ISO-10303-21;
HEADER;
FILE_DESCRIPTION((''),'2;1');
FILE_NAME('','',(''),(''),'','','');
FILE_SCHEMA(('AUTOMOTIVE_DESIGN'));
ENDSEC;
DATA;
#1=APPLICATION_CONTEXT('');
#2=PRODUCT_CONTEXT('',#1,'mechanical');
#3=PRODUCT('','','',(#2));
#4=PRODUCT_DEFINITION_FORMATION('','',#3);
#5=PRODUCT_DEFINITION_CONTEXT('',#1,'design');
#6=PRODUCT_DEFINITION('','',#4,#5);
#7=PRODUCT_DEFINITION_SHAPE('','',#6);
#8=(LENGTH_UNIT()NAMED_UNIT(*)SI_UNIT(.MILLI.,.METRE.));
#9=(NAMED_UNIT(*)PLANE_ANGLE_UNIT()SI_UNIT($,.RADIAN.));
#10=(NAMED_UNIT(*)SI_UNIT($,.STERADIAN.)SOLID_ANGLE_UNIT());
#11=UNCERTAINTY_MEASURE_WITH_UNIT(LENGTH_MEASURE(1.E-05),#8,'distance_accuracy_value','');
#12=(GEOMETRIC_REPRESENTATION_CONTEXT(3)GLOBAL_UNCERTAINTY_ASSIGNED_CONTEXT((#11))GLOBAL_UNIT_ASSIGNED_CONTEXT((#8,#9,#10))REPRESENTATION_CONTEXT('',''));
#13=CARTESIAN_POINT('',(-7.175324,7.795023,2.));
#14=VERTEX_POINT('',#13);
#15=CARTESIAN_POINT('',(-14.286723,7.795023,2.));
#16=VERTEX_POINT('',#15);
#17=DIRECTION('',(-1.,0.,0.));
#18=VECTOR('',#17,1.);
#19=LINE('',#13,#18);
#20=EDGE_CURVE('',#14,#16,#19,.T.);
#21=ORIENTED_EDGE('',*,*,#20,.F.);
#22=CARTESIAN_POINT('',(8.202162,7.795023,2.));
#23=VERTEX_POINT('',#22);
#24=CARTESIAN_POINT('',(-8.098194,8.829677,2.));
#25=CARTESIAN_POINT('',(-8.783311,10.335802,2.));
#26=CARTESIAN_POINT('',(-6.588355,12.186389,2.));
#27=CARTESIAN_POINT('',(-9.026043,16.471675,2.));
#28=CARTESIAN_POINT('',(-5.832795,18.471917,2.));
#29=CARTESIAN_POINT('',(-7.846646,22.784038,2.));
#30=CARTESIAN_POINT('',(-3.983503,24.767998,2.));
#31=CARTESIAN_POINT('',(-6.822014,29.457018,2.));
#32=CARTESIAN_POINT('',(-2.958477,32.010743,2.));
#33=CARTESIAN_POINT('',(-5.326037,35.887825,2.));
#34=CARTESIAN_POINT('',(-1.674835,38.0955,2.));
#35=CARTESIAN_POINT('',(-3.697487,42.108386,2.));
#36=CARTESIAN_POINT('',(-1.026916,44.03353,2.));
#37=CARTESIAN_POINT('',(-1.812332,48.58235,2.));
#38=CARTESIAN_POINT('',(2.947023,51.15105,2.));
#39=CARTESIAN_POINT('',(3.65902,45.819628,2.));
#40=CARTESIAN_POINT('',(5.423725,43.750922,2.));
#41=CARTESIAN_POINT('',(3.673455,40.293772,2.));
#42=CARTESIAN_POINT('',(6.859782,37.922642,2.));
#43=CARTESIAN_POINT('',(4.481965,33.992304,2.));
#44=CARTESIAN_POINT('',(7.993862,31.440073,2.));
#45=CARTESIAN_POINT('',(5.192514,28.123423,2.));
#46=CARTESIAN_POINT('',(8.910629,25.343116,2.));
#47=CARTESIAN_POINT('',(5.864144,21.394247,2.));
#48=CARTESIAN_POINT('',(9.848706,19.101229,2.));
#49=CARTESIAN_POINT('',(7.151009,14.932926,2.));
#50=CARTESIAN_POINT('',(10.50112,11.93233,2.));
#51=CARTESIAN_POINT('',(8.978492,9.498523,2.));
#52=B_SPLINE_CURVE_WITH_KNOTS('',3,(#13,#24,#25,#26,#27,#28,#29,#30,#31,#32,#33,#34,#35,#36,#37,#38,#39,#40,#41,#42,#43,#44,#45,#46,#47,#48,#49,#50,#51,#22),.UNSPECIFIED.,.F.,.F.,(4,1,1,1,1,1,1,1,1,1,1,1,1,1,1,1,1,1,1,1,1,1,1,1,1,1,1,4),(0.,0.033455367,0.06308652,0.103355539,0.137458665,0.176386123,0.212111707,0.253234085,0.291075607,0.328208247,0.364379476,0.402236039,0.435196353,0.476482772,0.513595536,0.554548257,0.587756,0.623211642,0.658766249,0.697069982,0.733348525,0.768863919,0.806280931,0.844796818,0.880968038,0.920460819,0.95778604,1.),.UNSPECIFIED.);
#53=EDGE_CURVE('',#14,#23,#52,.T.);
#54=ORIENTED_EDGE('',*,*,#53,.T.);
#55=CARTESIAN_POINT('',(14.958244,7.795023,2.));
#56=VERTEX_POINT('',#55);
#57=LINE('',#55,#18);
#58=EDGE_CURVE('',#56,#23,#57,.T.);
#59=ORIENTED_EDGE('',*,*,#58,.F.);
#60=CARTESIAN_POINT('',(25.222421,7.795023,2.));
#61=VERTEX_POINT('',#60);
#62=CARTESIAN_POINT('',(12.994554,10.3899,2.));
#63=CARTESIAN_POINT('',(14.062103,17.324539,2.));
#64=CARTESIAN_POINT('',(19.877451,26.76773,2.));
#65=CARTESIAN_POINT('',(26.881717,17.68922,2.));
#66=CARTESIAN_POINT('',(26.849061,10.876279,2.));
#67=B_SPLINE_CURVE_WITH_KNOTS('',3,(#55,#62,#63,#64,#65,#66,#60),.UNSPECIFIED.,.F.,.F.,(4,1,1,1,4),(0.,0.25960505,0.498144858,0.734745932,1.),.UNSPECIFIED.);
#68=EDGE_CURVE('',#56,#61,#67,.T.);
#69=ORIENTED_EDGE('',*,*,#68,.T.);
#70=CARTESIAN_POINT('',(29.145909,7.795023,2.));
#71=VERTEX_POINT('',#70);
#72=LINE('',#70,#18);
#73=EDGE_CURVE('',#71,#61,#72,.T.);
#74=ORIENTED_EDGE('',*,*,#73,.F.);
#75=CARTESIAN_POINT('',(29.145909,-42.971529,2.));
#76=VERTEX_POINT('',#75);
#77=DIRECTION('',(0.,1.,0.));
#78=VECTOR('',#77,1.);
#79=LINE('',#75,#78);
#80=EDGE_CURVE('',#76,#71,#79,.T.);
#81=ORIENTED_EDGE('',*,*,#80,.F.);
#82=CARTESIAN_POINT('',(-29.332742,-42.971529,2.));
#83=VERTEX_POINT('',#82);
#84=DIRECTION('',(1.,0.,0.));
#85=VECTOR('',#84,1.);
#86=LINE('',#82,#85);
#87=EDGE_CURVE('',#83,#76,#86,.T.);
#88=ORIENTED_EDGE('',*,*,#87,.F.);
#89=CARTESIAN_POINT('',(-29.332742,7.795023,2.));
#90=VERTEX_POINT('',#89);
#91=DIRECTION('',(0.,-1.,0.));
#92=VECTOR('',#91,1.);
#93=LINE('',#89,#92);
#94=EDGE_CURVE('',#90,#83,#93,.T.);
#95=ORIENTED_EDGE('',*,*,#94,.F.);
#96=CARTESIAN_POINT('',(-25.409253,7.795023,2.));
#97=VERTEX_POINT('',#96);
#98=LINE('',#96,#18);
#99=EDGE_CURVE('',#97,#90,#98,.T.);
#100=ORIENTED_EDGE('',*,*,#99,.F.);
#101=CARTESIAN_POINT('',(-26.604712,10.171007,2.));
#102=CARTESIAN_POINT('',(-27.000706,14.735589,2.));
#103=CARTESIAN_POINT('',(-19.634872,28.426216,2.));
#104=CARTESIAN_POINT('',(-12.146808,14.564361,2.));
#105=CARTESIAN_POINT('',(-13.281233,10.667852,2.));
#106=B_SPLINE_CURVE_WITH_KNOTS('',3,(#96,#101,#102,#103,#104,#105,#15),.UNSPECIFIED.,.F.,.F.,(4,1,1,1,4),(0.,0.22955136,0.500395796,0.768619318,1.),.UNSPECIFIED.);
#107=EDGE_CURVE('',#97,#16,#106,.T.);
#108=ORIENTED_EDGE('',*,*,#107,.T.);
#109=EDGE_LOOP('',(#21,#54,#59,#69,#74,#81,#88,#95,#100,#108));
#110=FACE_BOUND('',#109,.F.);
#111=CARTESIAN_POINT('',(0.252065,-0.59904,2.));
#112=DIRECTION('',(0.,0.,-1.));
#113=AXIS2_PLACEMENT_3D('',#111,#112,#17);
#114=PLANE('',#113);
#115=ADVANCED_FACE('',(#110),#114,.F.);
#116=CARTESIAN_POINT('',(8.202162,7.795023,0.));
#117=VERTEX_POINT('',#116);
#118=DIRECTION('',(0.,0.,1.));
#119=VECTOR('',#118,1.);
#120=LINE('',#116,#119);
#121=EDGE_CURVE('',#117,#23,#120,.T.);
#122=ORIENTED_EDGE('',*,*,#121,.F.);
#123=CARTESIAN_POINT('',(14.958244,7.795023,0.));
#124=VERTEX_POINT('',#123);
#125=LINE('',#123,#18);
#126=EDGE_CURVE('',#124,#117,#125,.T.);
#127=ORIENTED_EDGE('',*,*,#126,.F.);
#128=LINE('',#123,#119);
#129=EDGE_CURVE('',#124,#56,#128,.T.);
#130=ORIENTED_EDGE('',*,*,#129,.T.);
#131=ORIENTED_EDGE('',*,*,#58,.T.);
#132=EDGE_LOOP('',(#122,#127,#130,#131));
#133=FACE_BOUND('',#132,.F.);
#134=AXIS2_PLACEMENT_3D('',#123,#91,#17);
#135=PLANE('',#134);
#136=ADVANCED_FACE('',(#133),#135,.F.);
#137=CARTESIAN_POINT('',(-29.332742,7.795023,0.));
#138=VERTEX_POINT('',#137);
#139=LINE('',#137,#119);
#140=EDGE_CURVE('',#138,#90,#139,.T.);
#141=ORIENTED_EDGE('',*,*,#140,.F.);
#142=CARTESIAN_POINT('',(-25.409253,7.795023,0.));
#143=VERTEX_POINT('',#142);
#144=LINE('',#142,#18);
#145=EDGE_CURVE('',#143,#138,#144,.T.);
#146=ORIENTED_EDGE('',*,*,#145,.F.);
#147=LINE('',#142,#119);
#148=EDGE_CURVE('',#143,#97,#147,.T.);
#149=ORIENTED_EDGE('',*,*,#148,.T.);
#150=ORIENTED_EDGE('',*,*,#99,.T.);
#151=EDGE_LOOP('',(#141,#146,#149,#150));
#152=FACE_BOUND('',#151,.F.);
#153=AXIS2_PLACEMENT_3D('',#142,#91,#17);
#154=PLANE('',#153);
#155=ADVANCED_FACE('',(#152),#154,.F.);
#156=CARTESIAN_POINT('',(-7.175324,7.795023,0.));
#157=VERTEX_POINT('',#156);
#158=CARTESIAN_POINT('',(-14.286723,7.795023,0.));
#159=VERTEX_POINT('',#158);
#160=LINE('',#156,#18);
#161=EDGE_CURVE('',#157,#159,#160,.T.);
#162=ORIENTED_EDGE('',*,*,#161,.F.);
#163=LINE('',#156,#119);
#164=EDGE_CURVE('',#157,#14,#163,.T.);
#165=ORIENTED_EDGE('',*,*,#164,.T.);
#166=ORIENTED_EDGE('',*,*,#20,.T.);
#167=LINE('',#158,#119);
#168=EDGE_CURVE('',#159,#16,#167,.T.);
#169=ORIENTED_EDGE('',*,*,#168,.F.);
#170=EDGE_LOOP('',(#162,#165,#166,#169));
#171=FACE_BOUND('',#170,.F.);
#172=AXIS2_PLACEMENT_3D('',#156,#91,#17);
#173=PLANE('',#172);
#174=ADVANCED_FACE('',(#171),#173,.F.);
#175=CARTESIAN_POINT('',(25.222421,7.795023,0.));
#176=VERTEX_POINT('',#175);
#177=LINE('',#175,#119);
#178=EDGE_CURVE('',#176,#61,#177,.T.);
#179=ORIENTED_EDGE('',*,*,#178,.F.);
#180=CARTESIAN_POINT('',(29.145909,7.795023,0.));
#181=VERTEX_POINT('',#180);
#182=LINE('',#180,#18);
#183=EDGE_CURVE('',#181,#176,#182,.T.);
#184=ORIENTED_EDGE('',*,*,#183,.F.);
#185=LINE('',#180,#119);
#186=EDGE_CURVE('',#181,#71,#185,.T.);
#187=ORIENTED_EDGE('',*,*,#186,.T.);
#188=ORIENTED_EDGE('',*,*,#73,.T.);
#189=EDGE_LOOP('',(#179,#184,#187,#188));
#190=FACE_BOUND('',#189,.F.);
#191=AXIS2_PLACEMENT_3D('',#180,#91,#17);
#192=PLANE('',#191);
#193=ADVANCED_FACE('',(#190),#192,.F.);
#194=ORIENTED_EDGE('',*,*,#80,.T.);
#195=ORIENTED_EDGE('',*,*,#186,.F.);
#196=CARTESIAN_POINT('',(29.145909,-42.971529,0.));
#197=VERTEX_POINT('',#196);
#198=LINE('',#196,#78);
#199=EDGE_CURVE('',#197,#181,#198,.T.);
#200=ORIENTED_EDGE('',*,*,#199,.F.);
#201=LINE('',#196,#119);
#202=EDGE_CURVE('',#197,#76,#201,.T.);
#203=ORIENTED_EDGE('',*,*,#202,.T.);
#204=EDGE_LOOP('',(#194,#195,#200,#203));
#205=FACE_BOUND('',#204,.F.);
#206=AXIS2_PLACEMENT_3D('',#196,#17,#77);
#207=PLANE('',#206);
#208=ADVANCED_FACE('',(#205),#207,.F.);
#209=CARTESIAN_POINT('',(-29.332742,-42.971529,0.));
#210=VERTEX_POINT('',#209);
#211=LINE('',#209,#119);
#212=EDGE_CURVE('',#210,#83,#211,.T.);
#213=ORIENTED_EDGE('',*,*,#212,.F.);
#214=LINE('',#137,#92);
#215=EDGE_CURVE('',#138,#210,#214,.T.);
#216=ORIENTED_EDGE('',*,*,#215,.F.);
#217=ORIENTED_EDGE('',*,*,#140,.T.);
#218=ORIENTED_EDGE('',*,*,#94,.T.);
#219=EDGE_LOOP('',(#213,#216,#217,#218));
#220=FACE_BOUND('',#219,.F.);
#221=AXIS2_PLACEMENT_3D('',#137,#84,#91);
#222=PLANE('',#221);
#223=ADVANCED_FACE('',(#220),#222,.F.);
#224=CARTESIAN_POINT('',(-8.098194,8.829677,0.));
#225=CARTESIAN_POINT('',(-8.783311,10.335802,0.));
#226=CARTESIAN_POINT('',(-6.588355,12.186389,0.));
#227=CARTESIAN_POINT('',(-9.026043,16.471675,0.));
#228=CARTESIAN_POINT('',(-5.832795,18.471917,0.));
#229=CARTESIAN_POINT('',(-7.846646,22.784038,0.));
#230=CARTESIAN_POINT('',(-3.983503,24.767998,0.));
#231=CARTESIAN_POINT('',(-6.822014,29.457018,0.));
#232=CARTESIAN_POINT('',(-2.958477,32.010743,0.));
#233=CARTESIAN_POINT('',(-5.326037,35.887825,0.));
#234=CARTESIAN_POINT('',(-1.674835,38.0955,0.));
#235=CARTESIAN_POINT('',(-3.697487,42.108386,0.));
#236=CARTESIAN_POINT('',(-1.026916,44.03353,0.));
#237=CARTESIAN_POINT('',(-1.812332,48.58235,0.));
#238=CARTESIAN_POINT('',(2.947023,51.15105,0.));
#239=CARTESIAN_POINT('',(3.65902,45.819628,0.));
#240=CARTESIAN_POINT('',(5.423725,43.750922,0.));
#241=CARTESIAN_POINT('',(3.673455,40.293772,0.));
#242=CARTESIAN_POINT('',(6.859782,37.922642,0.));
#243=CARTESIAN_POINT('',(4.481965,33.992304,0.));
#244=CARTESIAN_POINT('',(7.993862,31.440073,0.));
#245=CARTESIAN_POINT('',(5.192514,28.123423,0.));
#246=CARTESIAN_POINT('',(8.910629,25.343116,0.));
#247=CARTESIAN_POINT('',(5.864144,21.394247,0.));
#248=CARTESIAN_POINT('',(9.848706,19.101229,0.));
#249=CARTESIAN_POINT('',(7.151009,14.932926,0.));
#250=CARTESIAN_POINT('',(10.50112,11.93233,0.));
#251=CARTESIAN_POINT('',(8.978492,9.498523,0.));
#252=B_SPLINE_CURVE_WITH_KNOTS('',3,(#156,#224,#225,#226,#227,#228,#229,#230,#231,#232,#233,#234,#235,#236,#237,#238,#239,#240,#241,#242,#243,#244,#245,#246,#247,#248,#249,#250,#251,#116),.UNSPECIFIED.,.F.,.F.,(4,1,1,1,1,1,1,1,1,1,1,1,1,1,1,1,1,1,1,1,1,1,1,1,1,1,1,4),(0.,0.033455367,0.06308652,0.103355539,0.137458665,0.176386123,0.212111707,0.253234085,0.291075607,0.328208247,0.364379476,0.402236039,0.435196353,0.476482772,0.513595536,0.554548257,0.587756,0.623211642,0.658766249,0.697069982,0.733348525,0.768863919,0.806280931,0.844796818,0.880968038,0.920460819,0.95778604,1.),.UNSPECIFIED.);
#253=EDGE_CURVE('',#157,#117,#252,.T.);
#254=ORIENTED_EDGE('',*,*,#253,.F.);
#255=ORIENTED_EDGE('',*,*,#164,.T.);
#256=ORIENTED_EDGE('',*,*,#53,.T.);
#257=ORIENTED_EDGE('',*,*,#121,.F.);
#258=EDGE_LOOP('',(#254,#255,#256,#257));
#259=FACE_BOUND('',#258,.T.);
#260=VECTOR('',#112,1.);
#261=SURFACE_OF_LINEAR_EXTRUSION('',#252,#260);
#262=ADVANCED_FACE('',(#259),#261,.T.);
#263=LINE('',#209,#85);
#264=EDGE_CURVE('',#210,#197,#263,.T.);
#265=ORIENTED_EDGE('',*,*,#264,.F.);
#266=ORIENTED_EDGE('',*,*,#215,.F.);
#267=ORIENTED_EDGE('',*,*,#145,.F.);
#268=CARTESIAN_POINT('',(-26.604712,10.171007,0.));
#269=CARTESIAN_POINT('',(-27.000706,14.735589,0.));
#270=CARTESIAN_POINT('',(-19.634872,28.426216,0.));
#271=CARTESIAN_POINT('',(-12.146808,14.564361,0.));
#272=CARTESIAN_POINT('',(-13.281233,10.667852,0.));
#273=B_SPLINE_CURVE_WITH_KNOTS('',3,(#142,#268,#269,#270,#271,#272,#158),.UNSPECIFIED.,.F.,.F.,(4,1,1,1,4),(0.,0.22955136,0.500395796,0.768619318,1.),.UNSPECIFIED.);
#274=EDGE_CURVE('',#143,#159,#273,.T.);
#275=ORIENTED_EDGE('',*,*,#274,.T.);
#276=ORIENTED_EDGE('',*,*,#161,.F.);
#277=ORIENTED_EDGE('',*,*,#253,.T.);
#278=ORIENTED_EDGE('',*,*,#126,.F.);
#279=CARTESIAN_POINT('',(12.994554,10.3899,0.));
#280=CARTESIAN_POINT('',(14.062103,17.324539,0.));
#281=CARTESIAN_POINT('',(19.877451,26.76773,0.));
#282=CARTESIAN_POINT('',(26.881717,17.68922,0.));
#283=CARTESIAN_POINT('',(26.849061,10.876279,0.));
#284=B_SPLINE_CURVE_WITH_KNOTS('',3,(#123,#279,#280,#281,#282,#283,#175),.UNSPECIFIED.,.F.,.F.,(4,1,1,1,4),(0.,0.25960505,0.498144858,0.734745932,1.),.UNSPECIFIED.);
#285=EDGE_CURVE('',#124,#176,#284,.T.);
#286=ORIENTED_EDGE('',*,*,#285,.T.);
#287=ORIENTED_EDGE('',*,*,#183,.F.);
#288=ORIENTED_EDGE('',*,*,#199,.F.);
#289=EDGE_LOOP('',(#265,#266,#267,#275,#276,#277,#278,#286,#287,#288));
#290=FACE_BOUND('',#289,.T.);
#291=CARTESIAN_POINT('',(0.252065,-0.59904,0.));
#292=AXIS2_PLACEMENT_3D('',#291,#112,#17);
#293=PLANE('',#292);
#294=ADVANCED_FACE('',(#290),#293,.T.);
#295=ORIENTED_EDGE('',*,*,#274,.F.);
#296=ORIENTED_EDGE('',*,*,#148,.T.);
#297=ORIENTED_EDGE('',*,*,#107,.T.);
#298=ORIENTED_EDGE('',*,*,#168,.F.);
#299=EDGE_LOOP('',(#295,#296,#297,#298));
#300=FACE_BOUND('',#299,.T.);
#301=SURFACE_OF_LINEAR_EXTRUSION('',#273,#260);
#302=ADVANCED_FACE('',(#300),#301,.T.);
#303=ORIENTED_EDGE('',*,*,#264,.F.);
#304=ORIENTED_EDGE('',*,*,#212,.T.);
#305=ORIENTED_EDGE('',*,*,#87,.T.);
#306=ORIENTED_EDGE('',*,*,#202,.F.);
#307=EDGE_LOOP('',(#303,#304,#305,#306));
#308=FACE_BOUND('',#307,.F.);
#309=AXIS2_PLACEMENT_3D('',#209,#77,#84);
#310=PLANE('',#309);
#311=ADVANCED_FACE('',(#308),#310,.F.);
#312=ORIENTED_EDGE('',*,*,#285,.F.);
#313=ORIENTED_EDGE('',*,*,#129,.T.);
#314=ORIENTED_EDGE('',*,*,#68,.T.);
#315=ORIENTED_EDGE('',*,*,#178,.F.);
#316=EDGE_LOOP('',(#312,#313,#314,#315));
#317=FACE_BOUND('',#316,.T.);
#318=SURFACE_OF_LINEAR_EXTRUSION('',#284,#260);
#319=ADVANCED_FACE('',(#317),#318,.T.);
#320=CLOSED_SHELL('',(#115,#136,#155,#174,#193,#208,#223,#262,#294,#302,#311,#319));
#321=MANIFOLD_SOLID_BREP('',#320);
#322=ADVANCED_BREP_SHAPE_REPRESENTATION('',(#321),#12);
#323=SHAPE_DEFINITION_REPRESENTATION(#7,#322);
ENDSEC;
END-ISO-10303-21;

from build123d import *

# Parameters (mm, degrees)
F1_DEPTH = 2


with BuildPart() as f1:
    # F0 (on Top) → F1 (new body)
    with BuildSketch(Plane.XY):
        with BuildLine():
            add(Edge.make_bspline(
                [(-25.4092533141, 7.7950228006), (-26.6047119357, 10.1710068731), (-27.0007063545, 14.735588901), (-19.6348717385, 28.4262163655), (-12.1468076885, 14.5643612979), (-13.2812330782, 10.6678524083), (-14.2867229879, 7.7950228006)],
                knots=[0, 0, 0, 0, 0.2295513596, 0.5003957959, 0.7686193178, 1, 1, 1, 1], degree=3))
            Line((-25.4092533141, 7.7950228006), (-29.332742095, 7.7950228006))
            Line((-29.332742095, 7.7950228006), (-29.332742095, -42.9715290666))
            Line((-29.332742095, -42.9715290666), (29.1459094733, -42.9715290666))
            Line((29.1459094733, -42.9715290666), (29.1459094733, 7.7950228006))
            Line((29.1459094733, 7.7950228006), (25.2224206924, 7.7950228006))
            add(Edge.make_bspline(
                [(14.9582438171, 7.7950228006), (12.9945538938, 10.389899835), (14.0621032809, 17.324539192), (19.877450757, 26.767730288), (26.881716807, 17.6892202246), (26.8490611191, 10.8762790031), (25.2224206924, 7.7950228006)],
                knots=[0, 0, 0, 0, 0.25960505, 0.4981448579, 0.7347459325, 1, 1, 1, 1], degree=3))
            Line((14.9582438171, 7.7950228006), (8.2021616399, 7.7950228006))
            add(Edge.make_bspline(
                [(-7.1753244847, 7.7950228006), (-8.0981941623, 8.8296773179), (-8.7833111704, 10.3358017434), (-6.5883551729, 12.1863891626), (-9.0260431078, 16.4716750331), (-5.8327953465, 18.4719174879), (-7.8466455293, 22.7840380393), (-3.9835028996, 24.7679978355), (-6.8220139739, 29.4570183891), (-2.9584771804, 32.0107427194), (-5.3260365608, 35.8878245914), (-1.674835166, 38.0954995935), (-3.6974870099, 42.1083864112), (-1.0269161212, 44.0335297939), (-1.8123320337, 48.5823497987), (2.9470226132, 51.1510499886), (3.659020463, 45.8196277591), (5.4237245138, 43.7509222044), (3.67345527, 40.2937716588), (6.8597824926, 37.9226418364), (4.4819654838, 33.9923044612), (7.9938622033, 31.440073234), (5.1925138199, 28.1234225921), (8.9106292565, 25.3431159151), (5.8641436574, 21.3942471338), (9.8487063982, 19.1012290072), (7.1510091906, 14.9329262893), (10.5011203534, 11.932330123), (8.9784920378, 9.4985227047), (8.2021616399, 7.7950228006)],
                knots=[0, 0, 0, 0, 0.0334553673, 0.0630865203, 0.1033555388, 0.1374586646, 0.1763861234, 0.2121117068, 0.2532340847, 0.2910756068, 0.3282082475, 0.3643794759, 0.4022360395, 0.4351963527, 0.4764827723, 0.5135955364, 0.5545482568, 0.587756, 0.6232116417, 0.6587662495, 0.6970699816, 0.7333485247, 0.7688639187, 0.8062809305, 0.8447968183, 0.8809680384, 0.9204608193, 0.9577860398, 1, 1, 1, 1], degree=3))
            Line((-7.1753244847, 7.7950228006), (-14.2867229879, 7.7950228006))
        make_face()
    extrude(amount=F1_DEPTH)


solid = f1.part
